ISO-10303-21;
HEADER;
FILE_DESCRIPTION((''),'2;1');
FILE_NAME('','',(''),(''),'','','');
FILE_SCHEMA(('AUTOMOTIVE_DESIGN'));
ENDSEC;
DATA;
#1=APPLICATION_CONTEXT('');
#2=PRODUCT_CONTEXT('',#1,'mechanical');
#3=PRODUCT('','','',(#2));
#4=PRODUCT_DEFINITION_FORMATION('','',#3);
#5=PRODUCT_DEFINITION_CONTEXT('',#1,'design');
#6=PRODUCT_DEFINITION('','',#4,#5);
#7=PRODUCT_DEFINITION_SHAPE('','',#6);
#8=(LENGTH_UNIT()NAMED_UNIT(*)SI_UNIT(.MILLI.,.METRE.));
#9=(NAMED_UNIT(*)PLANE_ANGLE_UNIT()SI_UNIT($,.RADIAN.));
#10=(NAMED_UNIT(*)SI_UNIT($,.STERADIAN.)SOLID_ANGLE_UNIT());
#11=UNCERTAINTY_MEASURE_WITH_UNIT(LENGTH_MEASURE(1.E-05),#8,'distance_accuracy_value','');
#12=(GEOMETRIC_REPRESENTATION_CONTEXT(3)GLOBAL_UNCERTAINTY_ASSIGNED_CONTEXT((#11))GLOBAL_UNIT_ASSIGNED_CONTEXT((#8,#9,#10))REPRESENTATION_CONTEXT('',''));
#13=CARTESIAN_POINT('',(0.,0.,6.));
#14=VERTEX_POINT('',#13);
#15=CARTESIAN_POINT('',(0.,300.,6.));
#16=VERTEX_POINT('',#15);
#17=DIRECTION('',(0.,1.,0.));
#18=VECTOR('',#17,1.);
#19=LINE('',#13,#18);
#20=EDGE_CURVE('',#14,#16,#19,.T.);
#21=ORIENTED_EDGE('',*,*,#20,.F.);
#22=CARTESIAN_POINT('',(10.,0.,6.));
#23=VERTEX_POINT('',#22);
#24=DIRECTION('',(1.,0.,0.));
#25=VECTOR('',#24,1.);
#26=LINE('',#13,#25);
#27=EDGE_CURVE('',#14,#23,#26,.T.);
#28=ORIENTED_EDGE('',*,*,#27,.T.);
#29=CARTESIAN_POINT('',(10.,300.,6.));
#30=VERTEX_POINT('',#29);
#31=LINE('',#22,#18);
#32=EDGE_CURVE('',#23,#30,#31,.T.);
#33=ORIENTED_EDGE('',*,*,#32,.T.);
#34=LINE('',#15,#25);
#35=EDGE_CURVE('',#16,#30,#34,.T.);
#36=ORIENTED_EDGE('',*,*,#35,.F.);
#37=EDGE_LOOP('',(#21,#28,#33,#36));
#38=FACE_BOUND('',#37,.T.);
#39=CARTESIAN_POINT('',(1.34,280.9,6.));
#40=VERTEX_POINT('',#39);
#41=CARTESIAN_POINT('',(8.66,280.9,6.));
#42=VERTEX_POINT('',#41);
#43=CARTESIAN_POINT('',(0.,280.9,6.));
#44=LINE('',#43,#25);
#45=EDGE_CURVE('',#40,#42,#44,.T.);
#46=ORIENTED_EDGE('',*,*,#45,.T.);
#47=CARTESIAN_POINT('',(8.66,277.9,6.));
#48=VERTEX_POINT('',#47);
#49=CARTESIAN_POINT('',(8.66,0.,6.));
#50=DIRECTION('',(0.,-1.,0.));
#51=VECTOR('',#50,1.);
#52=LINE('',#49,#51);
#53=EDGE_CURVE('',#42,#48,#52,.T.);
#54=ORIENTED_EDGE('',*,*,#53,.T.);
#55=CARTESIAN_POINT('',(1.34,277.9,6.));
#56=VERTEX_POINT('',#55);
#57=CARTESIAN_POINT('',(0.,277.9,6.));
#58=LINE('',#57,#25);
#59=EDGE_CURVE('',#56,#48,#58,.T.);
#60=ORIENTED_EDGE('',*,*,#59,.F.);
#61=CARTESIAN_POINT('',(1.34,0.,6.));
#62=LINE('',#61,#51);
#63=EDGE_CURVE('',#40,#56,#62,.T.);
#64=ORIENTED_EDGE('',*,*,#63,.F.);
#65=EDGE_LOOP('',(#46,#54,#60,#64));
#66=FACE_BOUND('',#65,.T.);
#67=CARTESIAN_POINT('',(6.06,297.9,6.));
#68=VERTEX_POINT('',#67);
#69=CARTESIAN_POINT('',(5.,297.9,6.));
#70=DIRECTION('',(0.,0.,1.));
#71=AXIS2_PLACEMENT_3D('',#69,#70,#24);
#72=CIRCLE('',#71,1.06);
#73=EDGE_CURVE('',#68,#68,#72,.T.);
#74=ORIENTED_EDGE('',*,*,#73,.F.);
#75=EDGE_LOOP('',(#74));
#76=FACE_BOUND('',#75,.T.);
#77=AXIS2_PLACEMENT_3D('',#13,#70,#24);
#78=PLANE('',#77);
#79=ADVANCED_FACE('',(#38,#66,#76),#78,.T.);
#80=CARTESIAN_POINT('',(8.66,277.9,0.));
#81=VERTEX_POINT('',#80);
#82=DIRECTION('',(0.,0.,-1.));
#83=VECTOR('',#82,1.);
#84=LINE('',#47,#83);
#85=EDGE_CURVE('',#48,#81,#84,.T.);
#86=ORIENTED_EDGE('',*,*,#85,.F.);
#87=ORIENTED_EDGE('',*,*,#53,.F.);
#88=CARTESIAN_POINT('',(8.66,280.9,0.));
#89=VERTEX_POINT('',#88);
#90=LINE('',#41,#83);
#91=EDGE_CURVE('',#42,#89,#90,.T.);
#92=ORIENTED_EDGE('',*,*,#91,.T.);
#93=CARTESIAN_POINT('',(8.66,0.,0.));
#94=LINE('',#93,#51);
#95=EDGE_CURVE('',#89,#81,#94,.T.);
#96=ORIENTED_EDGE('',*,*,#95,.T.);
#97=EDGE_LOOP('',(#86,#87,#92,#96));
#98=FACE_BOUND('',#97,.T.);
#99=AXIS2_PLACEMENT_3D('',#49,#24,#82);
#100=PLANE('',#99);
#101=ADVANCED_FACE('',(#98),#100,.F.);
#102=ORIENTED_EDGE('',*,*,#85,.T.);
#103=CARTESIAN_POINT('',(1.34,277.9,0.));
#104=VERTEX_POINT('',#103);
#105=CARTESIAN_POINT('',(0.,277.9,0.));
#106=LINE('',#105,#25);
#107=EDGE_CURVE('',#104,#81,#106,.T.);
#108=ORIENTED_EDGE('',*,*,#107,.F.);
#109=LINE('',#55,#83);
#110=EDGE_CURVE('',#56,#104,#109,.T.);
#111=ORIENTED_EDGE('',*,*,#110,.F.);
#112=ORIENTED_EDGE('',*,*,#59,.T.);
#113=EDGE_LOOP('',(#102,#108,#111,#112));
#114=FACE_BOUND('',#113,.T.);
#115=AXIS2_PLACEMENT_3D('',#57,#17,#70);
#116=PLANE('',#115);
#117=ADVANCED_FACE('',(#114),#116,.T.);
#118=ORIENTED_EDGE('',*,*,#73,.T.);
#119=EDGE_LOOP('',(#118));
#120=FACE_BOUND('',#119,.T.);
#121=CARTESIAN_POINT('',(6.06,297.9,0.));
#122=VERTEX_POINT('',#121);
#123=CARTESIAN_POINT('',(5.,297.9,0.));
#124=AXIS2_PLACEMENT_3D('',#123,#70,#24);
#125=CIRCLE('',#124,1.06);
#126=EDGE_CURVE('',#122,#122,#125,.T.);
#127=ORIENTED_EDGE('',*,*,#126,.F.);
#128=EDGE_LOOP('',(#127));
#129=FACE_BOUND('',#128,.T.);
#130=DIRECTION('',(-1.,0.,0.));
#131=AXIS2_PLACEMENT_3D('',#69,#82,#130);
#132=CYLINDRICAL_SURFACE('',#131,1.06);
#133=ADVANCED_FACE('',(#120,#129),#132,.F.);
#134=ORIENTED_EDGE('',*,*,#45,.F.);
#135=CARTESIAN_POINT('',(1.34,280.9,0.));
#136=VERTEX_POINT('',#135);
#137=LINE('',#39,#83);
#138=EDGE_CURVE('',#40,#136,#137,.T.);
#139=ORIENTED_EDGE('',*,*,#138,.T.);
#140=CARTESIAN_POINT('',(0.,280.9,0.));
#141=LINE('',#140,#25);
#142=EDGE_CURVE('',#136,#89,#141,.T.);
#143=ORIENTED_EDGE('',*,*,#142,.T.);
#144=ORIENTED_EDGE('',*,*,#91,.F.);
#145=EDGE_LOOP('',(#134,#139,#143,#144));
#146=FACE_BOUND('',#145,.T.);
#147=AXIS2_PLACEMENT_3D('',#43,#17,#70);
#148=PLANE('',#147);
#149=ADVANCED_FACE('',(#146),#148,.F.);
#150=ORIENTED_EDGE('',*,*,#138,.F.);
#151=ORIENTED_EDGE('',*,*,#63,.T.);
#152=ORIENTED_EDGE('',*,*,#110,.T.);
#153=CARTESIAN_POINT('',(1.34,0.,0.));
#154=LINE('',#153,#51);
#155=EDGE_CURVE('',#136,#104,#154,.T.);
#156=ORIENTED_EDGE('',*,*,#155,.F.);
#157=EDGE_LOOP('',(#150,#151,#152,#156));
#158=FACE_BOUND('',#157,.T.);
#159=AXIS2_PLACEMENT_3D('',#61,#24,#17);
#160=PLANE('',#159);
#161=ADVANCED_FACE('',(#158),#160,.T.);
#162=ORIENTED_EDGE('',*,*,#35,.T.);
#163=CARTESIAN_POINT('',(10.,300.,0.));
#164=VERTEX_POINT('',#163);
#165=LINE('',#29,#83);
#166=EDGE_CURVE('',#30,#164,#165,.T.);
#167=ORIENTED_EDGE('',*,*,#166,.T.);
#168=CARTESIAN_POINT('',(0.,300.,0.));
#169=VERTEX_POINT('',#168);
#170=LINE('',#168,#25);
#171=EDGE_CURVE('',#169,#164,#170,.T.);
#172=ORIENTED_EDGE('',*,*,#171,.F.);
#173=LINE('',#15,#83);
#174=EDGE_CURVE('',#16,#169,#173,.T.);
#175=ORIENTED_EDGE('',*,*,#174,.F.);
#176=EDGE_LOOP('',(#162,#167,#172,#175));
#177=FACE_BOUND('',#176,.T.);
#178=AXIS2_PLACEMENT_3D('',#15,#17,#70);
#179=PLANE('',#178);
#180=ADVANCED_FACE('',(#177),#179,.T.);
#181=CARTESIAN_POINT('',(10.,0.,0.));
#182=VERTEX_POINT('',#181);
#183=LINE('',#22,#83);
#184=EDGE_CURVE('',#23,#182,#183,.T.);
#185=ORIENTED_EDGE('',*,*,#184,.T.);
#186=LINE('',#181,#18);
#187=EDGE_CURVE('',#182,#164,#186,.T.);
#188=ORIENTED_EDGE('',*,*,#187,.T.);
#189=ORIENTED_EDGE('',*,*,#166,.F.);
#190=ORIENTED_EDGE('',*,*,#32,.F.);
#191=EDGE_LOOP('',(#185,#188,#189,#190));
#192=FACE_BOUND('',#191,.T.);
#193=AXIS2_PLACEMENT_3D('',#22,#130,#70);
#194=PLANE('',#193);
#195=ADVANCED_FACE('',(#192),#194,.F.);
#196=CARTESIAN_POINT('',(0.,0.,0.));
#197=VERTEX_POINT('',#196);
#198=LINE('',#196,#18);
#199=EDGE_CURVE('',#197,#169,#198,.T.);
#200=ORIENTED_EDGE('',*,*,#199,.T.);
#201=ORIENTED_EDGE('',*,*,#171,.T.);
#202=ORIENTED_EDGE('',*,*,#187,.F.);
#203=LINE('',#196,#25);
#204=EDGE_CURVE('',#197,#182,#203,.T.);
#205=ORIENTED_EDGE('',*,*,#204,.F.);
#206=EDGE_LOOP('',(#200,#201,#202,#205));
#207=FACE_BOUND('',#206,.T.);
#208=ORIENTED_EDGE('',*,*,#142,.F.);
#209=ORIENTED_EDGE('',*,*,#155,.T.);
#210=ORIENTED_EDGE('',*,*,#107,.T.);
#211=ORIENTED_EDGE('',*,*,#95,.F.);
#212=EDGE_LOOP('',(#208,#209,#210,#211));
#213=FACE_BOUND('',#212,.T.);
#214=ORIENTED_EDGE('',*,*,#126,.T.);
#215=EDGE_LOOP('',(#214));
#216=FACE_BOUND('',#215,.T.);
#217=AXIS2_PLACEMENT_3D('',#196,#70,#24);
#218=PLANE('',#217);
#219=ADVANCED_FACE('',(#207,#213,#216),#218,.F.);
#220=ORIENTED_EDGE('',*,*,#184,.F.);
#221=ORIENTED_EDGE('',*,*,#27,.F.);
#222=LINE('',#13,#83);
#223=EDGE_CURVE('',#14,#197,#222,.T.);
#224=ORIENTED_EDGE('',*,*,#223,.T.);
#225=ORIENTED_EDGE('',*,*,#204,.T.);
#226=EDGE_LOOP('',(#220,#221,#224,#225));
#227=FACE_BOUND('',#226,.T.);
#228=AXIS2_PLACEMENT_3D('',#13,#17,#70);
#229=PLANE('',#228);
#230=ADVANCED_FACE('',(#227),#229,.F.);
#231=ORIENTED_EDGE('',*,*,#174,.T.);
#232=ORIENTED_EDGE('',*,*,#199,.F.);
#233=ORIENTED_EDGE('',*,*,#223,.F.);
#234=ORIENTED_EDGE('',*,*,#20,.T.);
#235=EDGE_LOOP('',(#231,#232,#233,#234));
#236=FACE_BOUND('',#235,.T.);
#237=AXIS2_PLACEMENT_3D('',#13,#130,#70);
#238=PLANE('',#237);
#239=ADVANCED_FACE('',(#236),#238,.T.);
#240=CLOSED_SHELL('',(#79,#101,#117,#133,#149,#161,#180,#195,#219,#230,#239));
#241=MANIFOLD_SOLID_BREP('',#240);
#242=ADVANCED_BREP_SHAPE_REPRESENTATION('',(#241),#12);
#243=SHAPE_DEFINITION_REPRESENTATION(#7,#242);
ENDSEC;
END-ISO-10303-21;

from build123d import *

# Parameters (mm, degrees)
SKETCH1_W           = 10
SKETCH1_H           = 300
SKETCH1_R           = 1.06
SKETCH1_W_2         = 7.32
SKETCH1_H_2         = 3
BOSS_EXTRUDE1_DEPTH = 6


with BuildPart() as part:
    # Sketch1 → Boss-Extrude1 (new body)
    with BuildSketch(Plane.XY):
        with Locations((5, 150)):
            Rectangle(SKETCH1_W, SKETCH1_H)
        with Locations((5, 297.9)):
            Circle(SKETCH1_R, mode=Mode.SUBTRACT)
        with Locations((5, 279.4)):
            Rectangle(SKETCH1_W_2, SKETCH1_H_2, mode=Mode.SUBTRACT)
    extrude(amount=BOSS_EXTRUDE1_DEPTH)


solid = part.part
